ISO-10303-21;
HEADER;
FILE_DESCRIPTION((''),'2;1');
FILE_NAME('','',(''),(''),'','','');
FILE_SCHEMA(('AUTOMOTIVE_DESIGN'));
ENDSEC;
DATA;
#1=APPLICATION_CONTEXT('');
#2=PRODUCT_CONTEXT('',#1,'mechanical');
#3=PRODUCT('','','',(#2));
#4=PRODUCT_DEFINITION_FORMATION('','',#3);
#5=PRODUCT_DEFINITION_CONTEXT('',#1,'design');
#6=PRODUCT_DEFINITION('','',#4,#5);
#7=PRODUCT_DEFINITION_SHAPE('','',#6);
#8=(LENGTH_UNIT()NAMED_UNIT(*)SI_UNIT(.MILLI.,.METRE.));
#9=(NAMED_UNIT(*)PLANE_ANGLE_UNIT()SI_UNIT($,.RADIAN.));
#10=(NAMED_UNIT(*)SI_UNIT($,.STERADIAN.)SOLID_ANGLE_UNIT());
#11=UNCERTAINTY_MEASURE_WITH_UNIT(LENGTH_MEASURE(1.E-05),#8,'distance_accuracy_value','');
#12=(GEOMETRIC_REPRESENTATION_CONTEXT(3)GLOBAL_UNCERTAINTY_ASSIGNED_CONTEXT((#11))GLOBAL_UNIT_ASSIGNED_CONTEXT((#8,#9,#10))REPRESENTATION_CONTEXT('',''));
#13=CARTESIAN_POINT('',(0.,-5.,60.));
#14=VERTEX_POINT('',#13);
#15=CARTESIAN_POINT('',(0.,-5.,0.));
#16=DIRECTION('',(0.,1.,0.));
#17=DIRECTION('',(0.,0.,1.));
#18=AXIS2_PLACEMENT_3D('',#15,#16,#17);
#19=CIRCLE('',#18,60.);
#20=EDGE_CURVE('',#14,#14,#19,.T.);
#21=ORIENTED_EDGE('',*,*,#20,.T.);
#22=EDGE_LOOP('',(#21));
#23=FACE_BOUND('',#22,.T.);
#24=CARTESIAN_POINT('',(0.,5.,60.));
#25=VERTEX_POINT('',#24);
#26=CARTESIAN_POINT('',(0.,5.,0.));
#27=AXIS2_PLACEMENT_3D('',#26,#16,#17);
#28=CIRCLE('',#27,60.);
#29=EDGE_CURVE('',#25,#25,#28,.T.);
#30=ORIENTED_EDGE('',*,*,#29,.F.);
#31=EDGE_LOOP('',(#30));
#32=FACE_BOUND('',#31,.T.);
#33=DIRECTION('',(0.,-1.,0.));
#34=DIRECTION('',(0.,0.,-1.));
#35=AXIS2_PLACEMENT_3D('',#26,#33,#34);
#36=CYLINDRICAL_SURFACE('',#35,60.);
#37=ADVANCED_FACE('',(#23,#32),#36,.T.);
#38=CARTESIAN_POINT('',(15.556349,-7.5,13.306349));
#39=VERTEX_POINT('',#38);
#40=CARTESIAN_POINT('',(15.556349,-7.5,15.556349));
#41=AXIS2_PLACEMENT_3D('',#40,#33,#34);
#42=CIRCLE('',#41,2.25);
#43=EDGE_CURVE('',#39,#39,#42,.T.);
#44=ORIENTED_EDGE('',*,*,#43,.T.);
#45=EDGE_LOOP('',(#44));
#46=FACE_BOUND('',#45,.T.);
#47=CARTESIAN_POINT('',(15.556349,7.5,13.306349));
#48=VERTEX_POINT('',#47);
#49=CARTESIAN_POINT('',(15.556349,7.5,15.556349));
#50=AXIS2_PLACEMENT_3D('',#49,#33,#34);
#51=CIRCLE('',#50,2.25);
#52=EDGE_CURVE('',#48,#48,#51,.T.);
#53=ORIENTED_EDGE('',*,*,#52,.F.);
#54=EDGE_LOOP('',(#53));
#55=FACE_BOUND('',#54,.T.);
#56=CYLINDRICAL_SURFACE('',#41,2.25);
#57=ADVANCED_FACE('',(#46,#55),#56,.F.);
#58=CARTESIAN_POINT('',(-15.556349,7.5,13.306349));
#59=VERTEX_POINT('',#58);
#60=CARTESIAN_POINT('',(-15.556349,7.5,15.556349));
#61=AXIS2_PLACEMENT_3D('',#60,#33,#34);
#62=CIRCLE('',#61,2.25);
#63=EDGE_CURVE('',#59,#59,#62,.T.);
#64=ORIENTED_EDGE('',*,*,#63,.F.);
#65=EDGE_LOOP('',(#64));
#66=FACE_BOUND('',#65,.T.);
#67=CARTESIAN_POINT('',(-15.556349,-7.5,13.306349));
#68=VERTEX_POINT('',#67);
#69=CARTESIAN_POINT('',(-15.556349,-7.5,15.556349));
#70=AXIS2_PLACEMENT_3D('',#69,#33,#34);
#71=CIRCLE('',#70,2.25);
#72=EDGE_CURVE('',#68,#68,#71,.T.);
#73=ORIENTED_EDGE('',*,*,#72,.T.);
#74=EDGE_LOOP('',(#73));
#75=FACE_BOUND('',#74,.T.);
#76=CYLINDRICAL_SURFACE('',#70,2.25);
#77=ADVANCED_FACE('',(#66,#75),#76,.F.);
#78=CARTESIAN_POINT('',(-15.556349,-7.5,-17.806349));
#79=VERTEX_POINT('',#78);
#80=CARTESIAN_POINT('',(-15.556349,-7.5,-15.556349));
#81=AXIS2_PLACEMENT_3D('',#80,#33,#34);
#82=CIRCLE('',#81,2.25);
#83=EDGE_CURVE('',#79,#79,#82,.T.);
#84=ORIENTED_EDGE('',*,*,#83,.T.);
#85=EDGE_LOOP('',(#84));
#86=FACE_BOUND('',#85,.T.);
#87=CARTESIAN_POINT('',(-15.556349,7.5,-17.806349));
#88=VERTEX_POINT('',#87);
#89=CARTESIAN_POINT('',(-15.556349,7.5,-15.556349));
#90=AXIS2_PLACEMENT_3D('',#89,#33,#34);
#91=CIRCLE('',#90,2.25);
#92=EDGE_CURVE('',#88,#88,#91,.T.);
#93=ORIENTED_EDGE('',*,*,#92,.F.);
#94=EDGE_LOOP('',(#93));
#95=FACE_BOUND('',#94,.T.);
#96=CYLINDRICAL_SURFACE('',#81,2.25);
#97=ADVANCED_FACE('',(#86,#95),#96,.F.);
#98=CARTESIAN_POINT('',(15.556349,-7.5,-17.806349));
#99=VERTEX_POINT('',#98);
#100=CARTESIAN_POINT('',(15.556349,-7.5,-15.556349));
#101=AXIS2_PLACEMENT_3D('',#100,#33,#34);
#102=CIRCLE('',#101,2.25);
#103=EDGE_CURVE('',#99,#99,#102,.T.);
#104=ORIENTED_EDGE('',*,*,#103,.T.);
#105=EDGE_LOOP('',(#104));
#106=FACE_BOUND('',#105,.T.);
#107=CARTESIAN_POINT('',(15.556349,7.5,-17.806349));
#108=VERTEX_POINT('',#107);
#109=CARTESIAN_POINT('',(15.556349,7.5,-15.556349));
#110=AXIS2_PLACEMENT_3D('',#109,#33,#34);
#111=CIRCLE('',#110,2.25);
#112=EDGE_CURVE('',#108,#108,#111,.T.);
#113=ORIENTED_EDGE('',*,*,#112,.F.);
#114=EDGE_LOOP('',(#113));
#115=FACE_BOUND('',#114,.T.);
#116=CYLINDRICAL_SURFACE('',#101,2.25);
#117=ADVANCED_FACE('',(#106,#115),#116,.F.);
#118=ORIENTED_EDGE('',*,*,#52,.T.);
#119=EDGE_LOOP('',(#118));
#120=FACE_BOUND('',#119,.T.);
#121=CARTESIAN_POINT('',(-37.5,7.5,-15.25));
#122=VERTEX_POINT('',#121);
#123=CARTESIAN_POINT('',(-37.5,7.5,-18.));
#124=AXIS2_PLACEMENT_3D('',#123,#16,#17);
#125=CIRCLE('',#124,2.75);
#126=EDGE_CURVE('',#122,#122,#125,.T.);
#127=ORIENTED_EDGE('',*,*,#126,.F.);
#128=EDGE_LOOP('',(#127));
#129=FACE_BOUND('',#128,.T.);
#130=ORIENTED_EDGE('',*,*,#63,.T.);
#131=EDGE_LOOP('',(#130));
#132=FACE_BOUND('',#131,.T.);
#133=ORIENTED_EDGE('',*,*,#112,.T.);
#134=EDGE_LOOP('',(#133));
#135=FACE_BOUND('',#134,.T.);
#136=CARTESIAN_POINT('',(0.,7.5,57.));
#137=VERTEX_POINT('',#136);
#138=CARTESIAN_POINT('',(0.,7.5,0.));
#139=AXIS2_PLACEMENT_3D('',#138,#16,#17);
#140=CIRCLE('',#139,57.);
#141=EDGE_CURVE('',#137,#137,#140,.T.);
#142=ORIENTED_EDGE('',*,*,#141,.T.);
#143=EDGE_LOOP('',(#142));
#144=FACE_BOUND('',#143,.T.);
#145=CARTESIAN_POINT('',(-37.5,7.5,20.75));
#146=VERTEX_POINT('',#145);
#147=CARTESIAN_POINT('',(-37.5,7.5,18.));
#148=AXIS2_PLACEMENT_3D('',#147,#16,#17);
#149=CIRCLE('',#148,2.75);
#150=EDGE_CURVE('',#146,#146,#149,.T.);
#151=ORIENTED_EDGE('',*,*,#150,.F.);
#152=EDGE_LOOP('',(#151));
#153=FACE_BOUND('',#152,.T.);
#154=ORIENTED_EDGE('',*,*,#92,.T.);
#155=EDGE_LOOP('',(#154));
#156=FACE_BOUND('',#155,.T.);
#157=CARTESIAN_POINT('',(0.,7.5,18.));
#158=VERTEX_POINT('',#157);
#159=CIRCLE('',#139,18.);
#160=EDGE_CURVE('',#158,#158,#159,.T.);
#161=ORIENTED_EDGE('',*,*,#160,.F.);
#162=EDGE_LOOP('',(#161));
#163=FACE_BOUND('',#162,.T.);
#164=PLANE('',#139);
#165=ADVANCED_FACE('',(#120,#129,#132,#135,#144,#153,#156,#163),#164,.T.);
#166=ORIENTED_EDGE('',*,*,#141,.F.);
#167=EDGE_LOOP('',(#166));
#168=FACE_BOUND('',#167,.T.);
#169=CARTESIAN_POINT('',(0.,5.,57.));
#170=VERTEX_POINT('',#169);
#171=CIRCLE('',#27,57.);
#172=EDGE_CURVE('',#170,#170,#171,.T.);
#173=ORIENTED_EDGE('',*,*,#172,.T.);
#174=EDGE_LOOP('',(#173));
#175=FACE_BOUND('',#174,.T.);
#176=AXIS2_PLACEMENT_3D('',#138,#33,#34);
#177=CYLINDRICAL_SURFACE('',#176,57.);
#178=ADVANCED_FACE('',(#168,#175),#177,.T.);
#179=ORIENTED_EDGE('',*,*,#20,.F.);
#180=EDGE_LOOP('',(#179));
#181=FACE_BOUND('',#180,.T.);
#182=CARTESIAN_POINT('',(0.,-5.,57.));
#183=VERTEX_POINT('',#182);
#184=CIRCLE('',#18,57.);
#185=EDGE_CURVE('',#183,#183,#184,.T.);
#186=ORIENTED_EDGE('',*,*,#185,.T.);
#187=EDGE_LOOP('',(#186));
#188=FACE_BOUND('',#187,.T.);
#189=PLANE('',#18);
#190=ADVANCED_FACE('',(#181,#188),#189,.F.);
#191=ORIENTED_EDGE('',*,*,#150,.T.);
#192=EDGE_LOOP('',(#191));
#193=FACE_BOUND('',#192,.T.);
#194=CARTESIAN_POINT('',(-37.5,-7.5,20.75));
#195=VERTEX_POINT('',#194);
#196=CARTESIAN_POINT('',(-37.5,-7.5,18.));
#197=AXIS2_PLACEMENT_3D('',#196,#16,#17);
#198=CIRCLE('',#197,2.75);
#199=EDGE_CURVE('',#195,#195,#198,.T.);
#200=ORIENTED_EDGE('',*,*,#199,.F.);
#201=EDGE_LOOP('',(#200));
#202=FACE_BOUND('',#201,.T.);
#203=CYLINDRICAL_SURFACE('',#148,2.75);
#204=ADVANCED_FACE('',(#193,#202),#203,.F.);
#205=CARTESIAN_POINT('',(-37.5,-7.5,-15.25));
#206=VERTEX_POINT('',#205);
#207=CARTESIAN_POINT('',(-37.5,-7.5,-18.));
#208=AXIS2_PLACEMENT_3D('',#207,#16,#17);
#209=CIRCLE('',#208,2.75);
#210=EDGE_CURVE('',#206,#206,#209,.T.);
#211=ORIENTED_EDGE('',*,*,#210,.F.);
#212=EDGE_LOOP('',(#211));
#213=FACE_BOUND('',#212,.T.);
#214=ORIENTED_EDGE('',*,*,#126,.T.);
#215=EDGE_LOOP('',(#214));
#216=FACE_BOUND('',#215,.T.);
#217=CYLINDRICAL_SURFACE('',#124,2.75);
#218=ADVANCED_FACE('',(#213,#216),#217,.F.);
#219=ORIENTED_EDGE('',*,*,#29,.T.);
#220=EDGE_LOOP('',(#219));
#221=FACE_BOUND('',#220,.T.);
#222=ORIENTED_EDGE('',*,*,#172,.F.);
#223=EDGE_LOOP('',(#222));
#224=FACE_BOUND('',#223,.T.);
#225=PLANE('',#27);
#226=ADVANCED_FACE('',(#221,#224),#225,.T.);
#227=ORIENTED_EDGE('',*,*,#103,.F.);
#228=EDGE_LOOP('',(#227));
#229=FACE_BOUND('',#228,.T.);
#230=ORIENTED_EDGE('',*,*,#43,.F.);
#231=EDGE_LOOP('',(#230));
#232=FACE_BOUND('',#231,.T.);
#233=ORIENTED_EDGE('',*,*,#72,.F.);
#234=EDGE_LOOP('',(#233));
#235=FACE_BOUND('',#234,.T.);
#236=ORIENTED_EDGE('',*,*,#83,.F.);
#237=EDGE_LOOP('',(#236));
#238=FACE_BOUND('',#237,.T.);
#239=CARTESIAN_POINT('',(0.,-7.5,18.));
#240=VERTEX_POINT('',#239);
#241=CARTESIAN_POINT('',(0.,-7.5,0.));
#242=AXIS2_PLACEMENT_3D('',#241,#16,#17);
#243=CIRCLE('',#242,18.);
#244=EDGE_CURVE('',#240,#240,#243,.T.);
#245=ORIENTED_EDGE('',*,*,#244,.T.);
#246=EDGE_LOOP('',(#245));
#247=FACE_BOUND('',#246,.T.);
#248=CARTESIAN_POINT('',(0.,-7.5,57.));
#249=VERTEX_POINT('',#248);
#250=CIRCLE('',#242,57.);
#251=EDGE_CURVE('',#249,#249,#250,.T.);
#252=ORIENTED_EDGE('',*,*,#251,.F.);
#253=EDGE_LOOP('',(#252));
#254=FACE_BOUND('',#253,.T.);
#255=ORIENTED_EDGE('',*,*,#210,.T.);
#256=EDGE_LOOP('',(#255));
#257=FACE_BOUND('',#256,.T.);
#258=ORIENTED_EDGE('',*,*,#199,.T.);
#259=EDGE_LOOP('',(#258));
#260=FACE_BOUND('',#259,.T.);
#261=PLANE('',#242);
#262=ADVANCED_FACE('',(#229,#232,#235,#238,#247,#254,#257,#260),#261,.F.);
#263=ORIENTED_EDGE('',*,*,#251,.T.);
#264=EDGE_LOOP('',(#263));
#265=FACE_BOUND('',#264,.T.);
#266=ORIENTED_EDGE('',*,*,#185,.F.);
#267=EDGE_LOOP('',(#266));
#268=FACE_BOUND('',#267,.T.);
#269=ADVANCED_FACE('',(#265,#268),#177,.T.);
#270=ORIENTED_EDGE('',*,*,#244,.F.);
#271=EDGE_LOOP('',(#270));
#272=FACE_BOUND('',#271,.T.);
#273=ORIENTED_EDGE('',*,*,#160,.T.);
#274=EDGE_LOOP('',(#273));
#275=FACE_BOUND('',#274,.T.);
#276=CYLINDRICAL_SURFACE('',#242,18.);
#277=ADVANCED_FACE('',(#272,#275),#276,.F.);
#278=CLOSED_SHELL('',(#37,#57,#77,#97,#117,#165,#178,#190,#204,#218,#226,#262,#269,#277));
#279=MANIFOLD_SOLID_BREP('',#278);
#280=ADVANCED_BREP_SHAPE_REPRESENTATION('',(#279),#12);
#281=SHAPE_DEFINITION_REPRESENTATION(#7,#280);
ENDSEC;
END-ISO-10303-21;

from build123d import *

# Parameters (mm, degrees)
SKETCH1_R                  = 57
EXTRUDE4_DEPTH             = 7.5
SKETCH_R                   = 60
SKETCH_R_2                 = 57
EXTRUDE5_DEPTH             = 5
EXTRUDE6_DEPTH             = 86.183625187
EXTRUDE6_DEPTH_BACK        = 86.183625187
SKETCH5_R                  = 18
F_4_5_4_5_DIAMETER_HOLE1_D = 4.5
CIRPATTERN1_COUNT          = 4
M5_CLEARANCE_HOLE1_D       = 5.5


with BuildPart() as part:
    # Sketch1 → Extrude4 (new, symmetric)
    with BuildSketch(Plane(origin=(0, 0, 0), x_dir=(1, 0, 0), z_dir=(0, 1, 0))):
        Circle(SKETCH1_R)
    extrude(amount=EXTRUDE4_DEPTH, both=True)

    # Sketch → Extrude5 (add, symmetric)
    with BuildSketch(Plane(origin=(0, 0, 0), x_dir=(1, 0, 0), z_dir=(0, 1, 0))):
        Circle(SKETCH_R)
        Circle(SKETCH_R_2, mode=Mode.SUBTRACT)
    extrude(amount=EXTRUDE5_DEPTH, both=True)

    # Sketch5 → Extrude6 (cut, two sides: drawn at the far end of the back side and taken through both)
    with BuildSketch(Plane(origin=(0, 0, 0), x_dir=(1, 0, 0), z_dir=(0, 1, 0)).offset(-EXTRUDE6_DEPTH_BACK)):
        Circle(SKETCH5_R)
    extrude(amount=EXTRUDE6_DEPTH + EXTRUDE6_DEPTH_BACK, mode=Mode.SUBTRACT)

    # Ø4.5 (4.5) Diameter Hole1 (through all)
    with Locations(Plane(origin=(0, -7.5, 0), x_dir=(-1, 0, 0), z_dir=(0, -1, 0))):
        with Locations((15.556349186, 15.556349186)):
            f_4_5_4_5_diameter_hole1 = Hole(F_4_5_4_5_DIAMETER_HOLE1_D / 2)

    # CirPattern1: Ø4.5 (4.5) Diameter Hole1 ×4 about axis
    cirpattern1_axis = Axis((0, -8.25, 0), (0, 1, 0))
    for i in range(1, CIRPATTERN1_COUNT):
        add(f_4_5_4_5_diameter_hole1.rotate(cirpattern1_axis, i * 360 / CIRPATTERN1_COUNT), mode=Mode.SUBTRACT)

    # M5 Clearance Hole1 (through all)
    with Locations(Plane(origin=(0, 7.5, 0), x_dir=(1, 0, 0), z_dir=(0, 1, 0))):
        with Locations((-37.5, 18), (-37.5, -18)):
            Hole(M5_CLEARANCE_HOLE1_D / 2)


solid = part.part
